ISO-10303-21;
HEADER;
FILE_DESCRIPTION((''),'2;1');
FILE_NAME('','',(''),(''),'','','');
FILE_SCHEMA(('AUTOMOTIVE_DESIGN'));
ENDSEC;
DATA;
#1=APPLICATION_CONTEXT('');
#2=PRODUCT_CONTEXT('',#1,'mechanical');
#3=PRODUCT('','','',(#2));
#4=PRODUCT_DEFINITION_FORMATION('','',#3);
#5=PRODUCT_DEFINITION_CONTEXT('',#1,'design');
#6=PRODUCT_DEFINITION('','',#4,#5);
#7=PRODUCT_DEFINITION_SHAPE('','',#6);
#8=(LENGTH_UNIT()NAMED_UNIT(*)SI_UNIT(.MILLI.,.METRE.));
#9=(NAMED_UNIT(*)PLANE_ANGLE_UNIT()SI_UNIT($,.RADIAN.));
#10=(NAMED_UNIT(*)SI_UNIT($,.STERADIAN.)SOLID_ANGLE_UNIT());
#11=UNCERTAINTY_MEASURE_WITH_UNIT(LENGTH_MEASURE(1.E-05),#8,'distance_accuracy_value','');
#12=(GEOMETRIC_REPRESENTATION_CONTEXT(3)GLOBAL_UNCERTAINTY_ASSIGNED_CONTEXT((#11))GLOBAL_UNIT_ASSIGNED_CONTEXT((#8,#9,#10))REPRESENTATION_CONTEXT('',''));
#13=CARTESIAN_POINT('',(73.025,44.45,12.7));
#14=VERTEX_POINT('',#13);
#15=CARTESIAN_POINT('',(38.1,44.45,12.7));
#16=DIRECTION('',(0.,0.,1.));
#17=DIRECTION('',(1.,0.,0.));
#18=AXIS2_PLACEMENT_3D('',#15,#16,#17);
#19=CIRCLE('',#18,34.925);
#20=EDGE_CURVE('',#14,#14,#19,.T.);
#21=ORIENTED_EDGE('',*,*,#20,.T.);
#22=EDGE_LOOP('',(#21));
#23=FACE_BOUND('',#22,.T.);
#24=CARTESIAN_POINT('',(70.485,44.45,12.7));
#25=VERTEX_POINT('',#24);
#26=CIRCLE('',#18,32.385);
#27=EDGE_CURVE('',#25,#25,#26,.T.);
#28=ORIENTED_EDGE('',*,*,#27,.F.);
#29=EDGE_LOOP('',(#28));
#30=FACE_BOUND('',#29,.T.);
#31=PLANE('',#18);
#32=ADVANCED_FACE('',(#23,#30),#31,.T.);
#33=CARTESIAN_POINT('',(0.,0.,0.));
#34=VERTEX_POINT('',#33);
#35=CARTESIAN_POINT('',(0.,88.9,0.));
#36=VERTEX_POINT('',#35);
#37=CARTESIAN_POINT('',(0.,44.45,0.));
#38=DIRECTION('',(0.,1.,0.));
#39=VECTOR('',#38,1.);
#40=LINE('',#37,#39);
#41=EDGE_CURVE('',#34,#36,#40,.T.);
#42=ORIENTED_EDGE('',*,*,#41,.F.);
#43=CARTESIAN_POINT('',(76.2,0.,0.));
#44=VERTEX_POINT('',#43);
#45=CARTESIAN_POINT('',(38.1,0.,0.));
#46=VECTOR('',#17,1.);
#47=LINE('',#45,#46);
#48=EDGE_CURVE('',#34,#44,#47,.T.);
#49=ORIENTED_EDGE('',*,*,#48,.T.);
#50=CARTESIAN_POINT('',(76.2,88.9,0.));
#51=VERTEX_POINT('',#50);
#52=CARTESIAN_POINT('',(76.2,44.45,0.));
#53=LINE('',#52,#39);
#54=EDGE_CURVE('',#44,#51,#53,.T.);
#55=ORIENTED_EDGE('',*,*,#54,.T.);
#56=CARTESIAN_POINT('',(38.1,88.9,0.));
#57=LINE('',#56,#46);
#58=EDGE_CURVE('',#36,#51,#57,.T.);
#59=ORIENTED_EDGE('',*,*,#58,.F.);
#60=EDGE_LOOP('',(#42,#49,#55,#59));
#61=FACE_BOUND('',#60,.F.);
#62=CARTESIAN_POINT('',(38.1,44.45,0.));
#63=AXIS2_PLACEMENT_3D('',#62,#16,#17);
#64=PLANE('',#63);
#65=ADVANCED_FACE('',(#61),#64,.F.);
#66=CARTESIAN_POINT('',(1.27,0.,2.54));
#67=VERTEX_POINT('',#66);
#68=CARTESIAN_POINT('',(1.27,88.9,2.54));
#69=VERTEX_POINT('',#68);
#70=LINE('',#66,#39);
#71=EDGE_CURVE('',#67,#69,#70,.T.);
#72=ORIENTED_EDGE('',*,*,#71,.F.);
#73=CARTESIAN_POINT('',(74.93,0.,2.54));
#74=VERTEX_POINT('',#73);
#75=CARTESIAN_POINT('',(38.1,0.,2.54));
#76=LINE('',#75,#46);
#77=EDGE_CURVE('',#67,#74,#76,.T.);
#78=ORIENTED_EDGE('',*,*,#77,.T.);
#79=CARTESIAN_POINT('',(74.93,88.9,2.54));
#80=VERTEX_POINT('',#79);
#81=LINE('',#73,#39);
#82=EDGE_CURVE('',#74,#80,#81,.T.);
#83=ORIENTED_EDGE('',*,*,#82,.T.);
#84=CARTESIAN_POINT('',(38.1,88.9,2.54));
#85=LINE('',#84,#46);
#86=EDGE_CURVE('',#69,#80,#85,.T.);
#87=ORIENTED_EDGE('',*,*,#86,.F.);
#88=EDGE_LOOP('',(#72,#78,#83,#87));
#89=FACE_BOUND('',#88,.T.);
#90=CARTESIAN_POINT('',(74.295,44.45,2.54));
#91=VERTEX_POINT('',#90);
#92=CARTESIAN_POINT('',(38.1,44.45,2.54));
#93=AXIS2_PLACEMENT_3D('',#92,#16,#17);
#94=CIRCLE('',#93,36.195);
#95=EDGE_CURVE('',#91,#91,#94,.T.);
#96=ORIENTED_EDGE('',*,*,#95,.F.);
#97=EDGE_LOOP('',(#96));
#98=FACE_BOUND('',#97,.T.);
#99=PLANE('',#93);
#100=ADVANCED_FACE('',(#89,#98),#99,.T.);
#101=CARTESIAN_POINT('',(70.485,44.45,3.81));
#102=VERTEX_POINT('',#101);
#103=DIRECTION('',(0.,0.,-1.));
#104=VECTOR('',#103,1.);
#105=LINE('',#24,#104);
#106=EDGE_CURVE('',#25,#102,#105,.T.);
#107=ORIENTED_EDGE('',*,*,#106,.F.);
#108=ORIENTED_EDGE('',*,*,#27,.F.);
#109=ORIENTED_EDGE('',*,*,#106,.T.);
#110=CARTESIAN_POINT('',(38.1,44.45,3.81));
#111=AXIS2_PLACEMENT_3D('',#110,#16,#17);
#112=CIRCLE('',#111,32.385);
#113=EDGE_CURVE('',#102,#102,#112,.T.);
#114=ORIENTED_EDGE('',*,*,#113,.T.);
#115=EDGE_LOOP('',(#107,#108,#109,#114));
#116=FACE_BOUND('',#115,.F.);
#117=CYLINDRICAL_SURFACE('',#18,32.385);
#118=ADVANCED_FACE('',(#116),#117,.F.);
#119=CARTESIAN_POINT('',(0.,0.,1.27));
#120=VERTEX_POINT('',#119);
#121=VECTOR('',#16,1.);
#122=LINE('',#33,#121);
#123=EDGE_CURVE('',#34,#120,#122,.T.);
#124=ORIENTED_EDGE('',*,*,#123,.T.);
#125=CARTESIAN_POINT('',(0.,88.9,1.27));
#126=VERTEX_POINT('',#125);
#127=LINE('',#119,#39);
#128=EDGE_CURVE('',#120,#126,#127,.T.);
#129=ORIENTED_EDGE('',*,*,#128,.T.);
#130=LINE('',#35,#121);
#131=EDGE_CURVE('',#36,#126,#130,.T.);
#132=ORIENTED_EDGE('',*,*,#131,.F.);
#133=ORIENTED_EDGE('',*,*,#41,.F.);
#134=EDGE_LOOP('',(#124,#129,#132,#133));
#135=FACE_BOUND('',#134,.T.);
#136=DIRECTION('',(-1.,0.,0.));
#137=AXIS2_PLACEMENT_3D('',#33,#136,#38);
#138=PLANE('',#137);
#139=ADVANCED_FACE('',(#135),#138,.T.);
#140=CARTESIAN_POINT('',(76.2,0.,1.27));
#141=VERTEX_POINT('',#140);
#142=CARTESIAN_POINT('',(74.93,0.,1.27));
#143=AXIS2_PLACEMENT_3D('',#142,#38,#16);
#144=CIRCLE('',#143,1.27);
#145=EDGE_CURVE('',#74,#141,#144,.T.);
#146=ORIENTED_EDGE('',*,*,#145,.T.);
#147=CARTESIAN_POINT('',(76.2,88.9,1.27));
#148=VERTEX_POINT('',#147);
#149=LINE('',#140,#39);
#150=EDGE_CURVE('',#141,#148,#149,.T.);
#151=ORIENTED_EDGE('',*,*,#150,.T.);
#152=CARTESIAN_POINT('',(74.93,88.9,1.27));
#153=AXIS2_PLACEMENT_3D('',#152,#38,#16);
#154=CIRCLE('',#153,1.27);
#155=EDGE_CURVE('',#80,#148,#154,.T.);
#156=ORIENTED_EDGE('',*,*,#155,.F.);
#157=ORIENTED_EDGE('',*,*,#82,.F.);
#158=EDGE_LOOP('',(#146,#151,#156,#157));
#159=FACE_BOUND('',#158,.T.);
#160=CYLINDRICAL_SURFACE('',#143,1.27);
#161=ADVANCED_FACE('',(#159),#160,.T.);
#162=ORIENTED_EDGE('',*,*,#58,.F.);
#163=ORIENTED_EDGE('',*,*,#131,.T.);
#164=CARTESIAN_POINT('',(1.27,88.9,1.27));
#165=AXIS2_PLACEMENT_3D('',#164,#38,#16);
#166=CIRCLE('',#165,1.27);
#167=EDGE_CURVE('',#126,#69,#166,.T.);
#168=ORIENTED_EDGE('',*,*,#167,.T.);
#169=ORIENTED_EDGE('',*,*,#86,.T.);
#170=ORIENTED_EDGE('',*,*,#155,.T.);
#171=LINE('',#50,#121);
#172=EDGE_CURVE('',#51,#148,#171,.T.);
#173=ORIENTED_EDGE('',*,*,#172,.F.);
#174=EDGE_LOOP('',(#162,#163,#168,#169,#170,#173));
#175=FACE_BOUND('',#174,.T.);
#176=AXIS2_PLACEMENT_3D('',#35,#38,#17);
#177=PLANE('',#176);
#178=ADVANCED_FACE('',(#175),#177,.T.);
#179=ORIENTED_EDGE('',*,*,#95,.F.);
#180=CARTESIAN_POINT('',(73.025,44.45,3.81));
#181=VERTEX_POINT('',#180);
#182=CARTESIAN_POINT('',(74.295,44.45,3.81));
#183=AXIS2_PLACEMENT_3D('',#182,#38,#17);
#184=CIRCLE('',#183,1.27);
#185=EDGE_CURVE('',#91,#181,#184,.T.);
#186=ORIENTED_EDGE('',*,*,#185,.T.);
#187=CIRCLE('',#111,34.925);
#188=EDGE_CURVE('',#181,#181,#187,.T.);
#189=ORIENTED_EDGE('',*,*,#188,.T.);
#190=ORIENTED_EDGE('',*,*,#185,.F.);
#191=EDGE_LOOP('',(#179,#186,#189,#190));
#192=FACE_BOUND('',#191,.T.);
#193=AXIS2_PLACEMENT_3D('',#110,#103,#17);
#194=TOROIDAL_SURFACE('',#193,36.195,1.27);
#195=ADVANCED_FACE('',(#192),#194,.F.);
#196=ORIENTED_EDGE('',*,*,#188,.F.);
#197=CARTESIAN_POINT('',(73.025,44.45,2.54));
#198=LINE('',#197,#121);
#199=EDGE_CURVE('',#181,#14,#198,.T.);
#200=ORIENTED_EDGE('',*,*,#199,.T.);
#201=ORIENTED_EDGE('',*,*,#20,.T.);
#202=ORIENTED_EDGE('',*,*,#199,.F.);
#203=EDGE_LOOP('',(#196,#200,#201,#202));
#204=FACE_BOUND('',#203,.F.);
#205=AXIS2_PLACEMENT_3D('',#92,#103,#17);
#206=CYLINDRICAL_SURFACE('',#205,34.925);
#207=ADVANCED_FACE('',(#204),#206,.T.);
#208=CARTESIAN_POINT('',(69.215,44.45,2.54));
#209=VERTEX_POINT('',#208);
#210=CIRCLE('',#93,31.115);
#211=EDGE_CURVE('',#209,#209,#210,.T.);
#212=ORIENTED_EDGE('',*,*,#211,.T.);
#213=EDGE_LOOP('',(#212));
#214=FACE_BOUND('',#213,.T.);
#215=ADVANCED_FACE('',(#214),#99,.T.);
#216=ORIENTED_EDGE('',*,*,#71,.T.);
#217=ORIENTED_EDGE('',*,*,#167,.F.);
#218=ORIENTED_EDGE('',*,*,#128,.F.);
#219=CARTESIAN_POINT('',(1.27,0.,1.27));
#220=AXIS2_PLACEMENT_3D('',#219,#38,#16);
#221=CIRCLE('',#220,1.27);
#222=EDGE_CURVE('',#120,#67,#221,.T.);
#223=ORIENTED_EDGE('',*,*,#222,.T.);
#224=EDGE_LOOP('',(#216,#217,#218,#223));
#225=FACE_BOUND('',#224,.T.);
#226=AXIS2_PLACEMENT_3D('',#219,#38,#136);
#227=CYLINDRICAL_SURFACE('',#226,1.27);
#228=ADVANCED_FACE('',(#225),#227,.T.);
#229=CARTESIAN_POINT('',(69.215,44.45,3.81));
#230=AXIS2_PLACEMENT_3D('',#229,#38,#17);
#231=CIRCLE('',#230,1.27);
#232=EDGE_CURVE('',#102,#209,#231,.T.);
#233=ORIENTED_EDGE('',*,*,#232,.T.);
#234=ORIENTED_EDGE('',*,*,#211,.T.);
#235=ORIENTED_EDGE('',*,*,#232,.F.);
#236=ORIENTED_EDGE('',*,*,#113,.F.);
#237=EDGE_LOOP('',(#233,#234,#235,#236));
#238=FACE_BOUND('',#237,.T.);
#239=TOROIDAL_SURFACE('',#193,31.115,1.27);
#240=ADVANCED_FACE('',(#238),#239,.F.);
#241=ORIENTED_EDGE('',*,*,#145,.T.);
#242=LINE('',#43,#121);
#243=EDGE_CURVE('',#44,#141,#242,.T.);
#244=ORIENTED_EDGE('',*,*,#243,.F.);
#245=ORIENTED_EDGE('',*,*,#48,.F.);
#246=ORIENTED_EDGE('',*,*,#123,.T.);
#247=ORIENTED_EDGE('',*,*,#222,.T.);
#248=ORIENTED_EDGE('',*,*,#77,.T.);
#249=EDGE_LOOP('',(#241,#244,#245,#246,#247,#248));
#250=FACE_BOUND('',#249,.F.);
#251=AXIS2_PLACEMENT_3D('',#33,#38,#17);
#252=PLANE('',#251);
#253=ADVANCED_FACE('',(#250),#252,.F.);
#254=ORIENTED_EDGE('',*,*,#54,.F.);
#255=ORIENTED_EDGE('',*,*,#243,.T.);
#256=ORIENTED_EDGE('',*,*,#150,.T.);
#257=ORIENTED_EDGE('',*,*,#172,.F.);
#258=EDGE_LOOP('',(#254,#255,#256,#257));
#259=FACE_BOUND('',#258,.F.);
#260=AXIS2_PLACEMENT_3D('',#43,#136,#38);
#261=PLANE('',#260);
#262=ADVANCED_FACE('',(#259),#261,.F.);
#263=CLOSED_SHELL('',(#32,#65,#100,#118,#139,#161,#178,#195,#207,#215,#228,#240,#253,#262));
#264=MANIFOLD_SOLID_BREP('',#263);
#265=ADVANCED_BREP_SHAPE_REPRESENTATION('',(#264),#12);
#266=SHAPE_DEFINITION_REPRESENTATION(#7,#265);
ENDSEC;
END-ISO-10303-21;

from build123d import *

# Parameters (mm, degrees)
F0_W     = 76.2
F0_H     = 88.9
F1_DEPTH = 2.54
F2_R     = 34.925
F3_DEPTH = 10.16
F4_R     = 32.385
F5_DEPTH = 10.16
F6_R     = 1.27


with BuildPart() as f1:
    # F0 (on Top) → F1 (new body)
    with BuildSketch(Plane.XY):
        with Locations((38.1, 44.45)):
            Rectangle(F0_W, F0_H)
    extrude(amount=F1_DEPTH)

    # F2 (on face) → F3 (join)
    with BuildSketch(Plane.XY.offset(2.54)):
        with Locations((38.1, 44.45)):
            Circle(F2_R)
    extrude(amount=F3_DEPTH)

    # F4 (on face) → F5 (cut)
    with BuildSketch(Plane.XY.offset(12.7)):
        with Locations((38.1, 44.45)):
            Circle(F4_R)
    extrude(amount=-F5_DEPTH, mode=Mode.SUBTRACT)

    # F6
    f6_edges = [f1.edges().sort_by_distance(p)[0] for p in [
        (5.715, 44.45, 2.54),
        (0, 44.45, 2.54),
        (76.2, 44.45, 2.54),
        (3.175, 44.45, 2.54),
    ]]
    fillet(f6_edges, radius=F6_R)


solid = f1.part
